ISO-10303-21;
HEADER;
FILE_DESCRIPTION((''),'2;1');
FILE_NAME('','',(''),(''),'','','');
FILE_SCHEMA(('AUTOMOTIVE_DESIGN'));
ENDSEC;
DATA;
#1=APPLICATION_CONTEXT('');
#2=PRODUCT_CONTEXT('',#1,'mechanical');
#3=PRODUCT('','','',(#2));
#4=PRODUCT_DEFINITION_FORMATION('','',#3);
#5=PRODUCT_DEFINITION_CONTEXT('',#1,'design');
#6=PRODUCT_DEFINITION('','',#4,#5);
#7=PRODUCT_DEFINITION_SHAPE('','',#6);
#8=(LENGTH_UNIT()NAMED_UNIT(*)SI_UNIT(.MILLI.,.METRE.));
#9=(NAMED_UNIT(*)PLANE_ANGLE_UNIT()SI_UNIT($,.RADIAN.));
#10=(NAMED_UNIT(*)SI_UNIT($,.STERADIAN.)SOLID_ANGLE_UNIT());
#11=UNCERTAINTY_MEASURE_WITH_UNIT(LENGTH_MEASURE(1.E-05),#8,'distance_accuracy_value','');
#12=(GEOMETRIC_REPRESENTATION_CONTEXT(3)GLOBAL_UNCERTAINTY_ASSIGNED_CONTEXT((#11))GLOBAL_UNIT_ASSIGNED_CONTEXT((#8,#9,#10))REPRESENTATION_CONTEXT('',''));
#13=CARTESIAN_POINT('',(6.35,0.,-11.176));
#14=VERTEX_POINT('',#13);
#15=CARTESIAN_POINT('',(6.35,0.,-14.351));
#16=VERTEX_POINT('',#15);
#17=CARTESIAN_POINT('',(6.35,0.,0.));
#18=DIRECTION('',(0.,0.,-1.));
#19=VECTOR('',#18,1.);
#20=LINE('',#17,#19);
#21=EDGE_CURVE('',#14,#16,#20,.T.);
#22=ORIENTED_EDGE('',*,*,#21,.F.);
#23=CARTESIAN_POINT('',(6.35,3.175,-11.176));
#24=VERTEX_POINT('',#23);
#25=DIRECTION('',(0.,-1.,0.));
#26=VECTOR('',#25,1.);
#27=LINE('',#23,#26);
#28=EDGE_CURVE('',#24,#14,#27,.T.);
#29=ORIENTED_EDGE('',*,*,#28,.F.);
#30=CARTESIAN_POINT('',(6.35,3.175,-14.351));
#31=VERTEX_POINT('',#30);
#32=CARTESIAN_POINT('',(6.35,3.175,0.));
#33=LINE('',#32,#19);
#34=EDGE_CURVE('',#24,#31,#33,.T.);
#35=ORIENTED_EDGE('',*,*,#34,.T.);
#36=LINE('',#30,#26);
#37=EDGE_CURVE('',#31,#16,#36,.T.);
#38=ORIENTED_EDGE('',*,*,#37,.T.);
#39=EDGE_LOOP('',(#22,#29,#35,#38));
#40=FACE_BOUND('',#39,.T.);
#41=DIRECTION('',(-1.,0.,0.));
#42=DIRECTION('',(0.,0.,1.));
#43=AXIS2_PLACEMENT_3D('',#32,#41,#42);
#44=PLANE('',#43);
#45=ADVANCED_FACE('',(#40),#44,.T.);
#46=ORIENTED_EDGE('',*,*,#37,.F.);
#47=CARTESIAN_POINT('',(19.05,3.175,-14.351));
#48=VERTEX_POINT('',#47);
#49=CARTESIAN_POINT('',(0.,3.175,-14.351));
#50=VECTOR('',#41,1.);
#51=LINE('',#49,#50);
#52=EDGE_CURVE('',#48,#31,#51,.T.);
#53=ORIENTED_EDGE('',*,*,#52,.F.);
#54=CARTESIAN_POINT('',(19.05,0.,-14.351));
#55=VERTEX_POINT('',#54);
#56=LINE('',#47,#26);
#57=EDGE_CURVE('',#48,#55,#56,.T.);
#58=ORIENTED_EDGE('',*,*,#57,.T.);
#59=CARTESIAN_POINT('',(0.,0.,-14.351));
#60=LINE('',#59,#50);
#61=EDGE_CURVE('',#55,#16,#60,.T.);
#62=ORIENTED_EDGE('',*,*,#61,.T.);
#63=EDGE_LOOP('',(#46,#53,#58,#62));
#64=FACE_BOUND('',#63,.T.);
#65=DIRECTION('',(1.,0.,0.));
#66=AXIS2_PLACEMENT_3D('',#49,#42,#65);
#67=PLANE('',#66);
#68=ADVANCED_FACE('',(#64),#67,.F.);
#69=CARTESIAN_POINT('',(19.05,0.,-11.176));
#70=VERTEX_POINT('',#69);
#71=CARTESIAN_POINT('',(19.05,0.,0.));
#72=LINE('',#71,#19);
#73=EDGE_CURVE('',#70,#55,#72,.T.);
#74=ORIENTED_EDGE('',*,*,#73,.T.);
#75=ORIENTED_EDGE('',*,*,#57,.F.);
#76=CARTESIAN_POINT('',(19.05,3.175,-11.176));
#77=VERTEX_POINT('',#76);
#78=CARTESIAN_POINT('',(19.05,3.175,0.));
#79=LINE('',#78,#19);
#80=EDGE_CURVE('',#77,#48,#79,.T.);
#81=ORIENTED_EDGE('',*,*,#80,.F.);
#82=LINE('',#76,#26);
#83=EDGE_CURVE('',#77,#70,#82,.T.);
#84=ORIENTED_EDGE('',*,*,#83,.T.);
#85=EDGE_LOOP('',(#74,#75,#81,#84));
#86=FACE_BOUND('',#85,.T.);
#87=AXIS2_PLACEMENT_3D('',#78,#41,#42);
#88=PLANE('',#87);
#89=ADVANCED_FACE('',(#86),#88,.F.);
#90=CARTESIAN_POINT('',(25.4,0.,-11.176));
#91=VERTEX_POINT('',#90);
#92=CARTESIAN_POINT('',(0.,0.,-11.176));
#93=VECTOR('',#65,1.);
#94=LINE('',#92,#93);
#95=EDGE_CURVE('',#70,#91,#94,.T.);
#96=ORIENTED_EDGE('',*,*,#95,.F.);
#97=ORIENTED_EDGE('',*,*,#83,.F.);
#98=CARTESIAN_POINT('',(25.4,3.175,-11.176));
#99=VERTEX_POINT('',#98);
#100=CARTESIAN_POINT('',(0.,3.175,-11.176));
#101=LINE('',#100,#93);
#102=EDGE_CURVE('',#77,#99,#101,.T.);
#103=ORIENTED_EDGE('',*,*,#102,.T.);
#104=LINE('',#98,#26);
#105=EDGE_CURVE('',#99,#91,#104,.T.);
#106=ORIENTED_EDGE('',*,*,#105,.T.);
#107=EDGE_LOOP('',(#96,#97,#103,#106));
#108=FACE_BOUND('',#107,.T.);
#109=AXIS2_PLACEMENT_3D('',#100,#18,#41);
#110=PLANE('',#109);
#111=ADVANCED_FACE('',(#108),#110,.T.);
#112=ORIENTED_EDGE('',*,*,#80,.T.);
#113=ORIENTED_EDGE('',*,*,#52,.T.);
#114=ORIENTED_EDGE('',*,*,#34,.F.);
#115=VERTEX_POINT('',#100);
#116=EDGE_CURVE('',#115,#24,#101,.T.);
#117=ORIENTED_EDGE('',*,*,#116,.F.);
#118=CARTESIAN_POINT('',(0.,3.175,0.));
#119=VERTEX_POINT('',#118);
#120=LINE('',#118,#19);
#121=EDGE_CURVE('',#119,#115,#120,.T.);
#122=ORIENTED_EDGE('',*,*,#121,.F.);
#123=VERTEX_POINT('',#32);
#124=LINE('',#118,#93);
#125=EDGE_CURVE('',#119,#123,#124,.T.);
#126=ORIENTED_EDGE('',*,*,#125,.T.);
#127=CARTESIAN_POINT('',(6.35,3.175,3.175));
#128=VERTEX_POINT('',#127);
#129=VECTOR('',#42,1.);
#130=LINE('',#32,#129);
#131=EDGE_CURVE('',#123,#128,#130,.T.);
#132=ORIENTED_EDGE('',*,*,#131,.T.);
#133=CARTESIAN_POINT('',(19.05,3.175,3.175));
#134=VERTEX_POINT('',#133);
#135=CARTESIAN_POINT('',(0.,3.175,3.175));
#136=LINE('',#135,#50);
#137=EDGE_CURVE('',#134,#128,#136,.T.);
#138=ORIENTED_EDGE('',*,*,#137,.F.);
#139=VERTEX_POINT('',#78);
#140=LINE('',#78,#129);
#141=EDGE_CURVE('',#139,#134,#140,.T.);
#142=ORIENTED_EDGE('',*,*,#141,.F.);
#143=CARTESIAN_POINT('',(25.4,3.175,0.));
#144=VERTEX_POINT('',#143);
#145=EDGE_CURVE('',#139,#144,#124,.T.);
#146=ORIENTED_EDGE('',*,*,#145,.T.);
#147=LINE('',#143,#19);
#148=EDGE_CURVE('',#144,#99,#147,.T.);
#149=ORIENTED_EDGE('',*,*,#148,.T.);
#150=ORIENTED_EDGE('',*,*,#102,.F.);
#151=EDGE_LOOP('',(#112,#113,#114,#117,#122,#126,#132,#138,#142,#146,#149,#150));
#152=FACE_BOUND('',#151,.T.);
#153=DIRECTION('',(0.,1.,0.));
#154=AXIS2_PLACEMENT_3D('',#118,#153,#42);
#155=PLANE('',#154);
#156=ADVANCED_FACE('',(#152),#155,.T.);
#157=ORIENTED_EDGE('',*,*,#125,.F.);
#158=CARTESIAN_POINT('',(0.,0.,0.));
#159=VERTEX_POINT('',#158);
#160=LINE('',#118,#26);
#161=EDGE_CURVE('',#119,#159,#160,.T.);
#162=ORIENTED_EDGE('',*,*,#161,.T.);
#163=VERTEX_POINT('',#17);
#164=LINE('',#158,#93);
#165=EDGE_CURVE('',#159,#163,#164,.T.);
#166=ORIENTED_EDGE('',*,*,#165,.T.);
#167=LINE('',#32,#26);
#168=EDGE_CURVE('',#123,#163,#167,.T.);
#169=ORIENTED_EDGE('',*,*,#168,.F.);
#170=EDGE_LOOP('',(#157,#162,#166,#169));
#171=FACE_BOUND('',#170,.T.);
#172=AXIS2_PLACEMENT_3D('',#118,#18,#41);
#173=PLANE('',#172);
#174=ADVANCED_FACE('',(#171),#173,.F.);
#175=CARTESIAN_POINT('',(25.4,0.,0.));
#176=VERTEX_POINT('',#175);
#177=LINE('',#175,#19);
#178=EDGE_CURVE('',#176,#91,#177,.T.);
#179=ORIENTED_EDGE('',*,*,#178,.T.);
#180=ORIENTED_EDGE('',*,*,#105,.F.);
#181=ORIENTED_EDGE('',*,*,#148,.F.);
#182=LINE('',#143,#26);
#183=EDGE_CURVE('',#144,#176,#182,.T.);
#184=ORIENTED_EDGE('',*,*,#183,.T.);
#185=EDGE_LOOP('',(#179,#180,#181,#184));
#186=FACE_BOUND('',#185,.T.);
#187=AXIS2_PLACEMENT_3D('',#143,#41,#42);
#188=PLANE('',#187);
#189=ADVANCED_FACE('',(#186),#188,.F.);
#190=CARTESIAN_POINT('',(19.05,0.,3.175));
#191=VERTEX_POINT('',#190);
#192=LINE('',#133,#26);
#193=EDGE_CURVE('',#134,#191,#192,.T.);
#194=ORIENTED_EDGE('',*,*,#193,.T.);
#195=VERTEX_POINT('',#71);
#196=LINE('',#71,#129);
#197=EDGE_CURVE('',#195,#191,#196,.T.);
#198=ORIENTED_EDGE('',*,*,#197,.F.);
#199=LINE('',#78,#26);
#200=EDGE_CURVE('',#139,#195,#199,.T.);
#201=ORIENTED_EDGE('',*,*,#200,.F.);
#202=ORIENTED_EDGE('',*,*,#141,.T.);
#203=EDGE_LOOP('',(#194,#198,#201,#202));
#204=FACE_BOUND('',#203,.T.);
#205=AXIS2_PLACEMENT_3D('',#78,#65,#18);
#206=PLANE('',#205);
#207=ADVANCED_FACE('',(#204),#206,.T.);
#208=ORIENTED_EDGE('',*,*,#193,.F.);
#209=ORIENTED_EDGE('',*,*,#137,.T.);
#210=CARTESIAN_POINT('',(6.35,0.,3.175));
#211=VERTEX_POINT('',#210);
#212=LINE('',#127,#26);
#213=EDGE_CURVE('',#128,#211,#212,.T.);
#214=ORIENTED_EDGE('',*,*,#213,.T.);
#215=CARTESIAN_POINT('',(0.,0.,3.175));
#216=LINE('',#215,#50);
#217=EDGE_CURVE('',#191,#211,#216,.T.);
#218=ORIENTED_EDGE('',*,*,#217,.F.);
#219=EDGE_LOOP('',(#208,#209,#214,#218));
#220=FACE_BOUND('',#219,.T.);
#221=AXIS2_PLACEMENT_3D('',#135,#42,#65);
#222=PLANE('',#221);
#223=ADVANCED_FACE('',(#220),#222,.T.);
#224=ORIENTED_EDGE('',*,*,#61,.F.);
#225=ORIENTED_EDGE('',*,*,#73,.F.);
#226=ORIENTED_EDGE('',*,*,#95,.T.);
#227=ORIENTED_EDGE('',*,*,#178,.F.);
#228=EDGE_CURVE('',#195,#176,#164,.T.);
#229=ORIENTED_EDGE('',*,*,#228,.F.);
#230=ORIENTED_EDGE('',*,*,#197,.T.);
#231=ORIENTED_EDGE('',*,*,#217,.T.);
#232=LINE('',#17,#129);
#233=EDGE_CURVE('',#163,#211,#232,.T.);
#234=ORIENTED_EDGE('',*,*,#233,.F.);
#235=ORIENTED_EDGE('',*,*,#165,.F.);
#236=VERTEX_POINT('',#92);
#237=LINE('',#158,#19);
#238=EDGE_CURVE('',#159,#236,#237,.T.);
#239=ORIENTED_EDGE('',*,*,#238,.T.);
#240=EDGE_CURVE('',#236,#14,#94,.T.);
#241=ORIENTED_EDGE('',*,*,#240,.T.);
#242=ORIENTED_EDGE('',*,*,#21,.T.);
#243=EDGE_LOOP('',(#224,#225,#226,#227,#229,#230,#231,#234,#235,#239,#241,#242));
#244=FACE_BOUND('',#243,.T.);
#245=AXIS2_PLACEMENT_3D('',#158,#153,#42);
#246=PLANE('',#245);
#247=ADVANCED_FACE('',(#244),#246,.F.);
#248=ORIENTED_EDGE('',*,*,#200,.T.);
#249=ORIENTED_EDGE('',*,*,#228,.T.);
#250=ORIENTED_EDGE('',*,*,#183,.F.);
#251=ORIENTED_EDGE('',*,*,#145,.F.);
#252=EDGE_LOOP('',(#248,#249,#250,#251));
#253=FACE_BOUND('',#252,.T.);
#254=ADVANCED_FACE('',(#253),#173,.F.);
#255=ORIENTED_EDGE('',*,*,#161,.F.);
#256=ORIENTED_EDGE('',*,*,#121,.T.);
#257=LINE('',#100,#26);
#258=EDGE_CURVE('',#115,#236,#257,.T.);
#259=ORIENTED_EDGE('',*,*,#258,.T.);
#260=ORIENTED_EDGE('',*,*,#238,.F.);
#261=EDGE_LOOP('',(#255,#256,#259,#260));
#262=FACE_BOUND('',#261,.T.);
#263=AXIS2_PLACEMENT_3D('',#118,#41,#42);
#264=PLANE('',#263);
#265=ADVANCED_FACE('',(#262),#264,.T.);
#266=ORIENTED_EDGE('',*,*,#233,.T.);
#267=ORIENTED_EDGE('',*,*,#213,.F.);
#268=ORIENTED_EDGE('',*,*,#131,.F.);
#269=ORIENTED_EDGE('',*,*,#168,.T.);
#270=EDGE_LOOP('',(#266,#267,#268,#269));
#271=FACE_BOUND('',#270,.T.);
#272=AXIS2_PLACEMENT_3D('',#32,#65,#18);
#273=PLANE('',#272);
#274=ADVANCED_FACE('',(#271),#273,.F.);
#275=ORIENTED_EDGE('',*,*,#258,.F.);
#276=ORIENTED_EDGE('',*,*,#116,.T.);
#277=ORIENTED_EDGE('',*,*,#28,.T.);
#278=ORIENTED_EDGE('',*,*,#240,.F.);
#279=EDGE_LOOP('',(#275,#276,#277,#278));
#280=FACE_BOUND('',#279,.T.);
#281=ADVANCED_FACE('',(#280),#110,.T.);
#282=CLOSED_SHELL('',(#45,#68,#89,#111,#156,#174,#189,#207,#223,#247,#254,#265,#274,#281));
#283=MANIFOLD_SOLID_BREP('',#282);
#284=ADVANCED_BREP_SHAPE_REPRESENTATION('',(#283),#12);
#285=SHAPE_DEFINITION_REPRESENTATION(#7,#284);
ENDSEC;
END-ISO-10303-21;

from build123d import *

# Parameters (mm, degrees)
SKETCH1_W           = 12.7
SKETCH1_H           = 3.175
SKETCH1_W_2         = 6.35
BOSS_EXTRUDE1_DEPTH = 3.175


with BuildPart() as part:
    # Sketch1 → Boss-Extrude1 (new body)
    with BuildSketch(Plane(origin=(0, 0, 0), x_dir=(1, 0, 0), z_dir=(0, 1, 0))):
        Polygon((0, 11.176), (0, 0), (6.35, 0), (19.05, 0), (25.4, 0), (25.4, 11.176), (19.05, 11.176), (12.7, 11.176), (6.35, 11.176), align=None)
        with Locations((12.7, -1.5875)):
            Rectangle(SKETCH1_W, SKETCH1_H)
        with Locations((15.875, 12.7635)):
            Rectangle(SKETCH1_W_2, SKETCH1_H)
        with Locations((9.525, 12.7635)):
            Rectangle(SKETCH1_W_2, SKETCH1_H)
    extrude(amount=BOSS_EXTRUDE1_DEPTH)


solid = part.part
